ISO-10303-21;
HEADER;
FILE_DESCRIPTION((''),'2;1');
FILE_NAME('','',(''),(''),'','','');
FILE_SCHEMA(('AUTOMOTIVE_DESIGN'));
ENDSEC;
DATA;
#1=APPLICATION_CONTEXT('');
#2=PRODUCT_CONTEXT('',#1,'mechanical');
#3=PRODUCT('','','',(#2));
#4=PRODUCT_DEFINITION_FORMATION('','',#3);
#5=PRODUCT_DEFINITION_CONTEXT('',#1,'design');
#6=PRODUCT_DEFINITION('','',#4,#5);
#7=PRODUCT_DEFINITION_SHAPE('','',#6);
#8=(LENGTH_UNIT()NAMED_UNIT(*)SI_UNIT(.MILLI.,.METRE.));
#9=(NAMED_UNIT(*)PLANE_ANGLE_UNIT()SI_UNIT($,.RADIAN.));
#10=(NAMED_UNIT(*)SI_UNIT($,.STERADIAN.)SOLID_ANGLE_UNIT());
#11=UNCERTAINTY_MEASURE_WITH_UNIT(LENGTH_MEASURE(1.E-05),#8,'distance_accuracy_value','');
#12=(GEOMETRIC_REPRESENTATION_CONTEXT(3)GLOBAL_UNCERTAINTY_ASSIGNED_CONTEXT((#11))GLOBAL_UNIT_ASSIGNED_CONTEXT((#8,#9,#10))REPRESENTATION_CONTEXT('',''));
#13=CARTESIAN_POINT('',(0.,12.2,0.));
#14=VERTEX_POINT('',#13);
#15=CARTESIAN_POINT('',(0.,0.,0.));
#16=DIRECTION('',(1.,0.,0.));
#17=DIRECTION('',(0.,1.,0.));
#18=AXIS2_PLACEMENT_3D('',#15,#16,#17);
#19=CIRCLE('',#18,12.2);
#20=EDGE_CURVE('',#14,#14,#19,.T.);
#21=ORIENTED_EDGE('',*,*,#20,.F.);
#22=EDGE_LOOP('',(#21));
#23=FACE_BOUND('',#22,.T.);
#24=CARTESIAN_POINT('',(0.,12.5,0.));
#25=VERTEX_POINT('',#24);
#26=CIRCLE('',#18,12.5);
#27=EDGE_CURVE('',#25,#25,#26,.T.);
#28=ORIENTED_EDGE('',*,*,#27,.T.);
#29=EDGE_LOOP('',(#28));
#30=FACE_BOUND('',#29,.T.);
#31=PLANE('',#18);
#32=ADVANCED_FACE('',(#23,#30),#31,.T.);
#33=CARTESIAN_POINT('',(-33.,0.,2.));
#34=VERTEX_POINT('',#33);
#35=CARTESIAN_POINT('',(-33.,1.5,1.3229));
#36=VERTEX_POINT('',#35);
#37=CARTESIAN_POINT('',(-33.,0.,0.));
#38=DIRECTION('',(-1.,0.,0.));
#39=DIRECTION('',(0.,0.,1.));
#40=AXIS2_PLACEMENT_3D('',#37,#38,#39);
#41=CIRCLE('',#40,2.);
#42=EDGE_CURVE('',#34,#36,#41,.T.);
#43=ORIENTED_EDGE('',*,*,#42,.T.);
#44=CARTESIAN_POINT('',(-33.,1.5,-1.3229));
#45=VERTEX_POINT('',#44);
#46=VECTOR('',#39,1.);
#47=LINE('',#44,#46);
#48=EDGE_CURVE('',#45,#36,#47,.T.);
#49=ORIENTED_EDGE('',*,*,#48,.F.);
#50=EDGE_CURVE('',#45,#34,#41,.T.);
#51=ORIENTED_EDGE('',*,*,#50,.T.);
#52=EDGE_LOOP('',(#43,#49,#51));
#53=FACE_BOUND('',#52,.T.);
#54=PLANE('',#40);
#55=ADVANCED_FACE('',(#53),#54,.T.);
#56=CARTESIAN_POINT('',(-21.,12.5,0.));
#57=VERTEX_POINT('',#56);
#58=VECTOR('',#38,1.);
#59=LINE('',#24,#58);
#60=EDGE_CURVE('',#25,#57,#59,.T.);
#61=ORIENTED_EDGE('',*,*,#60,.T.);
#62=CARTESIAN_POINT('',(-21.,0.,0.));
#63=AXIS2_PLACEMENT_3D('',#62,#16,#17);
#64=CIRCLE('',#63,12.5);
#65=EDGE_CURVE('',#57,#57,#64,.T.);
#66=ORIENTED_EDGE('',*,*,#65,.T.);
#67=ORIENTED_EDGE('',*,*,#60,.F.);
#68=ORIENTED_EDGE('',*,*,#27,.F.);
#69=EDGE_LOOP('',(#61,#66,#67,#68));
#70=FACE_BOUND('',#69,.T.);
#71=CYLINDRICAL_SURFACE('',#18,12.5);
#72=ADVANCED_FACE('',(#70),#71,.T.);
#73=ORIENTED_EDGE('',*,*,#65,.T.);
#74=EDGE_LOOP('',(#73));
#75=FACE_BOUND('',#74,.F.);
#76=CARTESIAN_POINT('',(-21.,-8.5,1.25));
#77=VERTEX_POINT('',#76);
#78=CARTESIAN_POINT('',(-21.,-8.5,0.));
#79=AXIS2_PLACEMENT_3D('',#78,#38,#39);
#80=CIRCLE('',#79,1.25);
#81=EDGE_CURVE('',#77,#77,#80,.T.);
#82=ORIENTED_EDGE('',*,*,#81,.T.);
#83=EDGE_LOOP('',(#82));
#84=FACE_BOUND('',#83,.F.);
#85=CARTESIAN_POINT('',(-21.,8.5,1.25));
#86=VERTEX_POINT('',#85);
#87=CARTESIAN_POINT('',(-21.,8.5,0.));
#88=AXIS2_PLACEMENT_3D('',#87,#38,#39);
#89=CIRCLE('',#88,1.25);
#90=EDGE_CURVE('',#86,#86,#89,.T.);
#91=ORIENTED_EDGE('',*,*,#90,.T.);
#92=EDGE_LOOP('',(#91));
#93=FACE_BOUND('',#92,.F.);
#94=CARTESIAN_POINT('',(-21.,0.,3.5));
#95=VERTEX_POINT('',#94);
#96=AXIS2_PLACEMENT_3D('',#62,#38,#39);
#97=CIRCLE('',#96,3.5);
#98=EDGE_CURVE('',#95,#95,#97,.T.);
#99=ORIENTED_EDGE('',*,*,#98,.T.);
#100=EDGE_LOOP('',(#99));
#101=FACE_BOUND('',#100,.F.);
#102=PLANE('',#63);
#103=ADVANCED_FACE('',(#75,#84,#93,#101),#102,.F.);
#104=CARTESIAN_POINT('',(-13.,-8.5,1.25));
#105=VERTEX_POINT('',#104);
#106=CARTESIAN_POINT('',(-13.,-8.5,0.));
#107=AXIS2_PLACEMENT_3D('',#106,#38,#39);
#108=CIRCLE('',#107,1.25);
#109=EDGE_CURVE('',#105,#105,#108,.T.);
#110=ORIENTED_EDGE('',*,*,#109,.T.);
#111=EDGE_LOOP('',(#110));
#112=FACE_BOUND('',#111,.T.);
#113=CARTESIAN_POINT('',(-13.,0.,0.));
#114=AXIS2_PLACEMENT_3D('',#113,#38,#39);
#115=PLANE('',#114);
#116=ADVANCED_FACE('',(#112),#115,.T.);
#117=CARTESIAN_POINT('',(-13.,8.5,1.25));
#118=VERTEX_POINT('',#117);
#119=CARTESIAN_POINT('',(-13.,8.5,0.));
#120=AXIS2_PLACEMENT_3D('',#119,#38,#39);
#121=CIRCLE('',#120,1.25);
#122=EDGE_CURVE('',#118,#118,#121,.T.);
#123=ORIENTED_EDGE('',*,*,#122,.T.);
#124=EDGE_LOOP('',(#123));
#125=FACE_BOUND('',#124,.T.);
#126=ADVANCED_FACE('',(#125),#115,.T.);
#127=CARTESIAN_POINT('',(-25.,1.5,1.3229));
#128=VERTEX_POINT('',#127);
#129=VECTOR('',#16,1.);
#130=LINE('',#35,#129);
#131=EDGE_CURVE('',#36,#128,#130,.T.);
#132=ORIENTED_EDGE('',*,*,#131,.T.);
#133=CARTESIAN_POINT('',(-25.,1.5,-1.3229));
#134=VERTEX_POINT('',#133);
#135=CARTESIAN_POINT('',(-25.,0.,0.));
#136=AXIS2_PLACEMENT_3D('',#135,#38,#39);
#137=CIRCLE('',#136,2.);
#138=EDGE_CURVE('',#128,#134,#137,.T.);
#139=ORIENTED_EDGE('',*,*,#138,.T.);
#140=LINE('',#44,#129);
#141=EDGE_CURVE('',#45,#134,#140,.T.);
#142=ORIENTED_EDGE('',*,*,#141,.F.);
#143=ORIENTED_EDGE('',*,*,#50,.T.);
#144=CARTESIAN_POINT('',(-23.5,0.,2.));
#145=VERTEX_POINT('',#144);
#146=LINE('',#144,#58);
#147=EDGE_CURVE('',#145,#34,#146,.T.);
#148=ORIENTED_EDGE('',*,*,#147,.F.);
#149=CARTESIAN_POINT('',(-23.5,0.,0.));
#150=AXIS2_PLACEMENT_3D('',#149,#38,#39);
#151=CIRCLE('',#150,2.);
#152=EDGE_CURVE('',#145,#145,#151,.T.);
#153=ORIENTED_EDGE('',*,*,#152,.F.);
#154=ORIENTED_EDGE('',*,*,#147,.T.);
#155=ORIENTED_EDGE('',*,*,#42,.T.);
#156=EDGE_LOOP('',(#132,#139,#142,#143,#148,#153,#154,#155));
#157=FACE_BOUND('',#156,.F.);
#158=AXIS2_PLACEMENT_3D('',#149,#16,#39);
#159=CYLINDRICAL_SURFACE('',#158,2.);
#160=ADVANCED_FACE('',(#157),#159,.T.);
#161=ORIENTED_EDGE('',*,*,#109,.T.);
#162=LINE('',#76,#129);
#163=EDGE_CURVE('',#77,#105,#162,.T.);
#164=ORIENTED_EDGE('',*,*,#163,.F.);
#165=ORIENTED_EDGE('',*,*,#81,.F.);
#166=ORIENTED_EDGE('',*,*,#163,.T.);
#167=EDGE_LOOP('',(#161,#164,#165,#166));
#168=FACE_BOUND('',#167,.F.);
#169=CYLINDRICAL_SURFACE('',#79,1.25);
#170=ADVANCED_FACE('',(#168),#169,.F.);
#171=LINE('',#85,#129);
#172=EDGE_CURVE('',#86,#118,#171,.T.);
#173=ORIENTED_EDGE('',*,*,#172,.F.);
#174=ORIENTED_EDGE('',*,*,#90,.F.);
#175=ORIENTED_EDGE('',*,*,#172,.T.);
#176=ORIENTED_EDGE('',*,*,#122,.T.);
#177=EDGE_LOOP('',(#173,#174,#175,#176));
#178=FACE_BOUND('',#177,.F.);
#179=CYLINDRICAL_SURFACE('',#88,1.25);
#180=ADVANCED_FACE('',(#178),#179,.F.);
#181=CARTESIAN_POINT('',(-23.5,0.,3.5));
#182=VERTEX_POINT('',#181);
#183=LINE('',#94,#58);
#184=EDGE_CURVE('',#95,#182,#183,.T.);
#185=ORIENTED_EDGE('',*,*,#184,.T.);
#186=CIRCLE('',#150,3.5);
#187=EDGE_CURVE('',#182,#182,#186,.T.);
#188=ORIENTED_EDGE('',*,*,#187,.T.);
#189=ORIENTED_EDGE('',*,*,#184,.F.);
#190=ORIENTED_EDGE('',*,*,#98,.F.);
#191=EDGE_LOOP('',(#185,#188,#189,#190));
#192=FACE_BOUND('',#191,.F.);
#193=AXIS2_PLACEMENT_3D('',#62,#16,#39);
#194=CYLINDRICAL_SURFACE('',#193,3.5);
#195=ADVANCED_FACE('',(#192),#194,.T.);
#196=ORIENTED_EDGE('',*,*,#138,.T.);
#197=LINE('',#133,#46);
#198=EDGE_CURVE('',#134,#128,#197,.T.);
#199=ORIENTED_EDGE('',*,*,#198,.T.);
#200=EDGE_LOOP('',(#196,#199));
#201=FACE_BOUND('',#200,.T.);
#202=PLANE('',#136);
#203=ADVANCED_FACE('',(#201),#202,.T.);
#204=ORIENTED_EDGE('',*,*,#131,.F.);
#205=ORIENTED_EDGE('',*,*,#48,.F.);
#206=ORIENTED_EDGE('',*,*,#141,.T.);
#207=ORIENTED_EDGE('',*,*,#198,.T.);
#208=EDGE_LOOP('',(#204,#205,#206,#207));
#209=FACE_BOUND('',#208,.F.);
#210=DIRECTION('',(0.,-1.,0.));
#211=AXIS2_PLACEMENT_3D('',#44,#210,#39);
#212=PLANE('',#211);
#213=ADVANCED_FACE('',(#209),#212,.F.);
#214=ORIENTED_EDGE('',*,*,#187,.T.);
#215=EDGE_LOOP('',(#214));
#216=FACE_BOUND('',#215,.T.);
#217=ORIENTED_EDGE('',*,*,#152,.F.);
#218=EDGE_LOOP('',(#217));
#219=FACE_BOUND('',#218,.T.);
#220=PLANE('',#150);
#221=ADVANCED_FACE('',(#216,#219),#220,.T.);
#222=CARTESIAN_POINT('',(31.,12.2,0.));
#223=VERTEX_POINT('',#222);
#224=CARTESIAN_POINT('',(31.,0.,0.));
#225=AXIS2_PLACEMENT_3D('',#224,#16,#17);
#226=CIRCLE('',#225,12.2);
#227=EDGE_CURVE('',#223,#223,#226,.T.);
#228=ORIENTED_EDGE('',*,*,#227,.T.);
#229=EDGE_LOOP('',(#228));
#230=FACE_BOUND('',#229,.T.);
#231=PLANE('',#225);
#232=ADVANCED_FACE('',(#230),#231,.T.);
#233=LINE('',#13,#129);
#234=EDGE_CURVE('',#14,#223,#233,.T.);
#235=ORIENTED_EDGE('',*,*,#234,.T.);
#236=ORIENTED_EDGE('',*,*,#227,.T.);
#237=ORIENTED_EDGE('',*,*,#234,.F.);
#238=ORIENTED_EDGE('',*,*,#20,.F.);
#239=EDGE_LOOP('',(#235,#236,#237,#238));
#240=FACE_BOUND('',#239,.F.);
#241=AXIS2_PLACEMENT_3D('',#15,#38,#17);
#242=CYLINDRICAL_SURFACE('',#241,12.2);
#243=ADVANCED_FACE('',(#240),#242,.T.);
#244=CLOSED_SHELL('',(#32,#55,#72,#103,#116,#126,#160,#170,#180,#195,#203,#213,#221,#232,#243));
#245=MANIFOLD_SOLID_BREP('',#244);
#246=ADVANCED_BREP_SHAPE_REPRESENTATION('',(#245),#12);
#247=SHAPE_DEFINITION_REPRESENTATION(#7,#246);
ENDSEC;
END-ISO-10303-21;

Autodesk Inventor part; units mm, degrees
ref_plane "YZ Plane" through (0, 0, 0) normal (1, 0, 0) x (0, 1, 0)
ref_plane "XZ Plane" through (0, 0, 0) normal (0, 1, 0) x (-1, 0, 0)
ref_plane "XY Plane" through (0, 0, 0) normal (0, 0, 1) x (1, 0, 0)
sketch "Sketch1" plane through (0, 0, 0) normal (1, 0, 0) x (0, 1, 0)
  circle A0 centre (0, 0) radius 12.2
  circle A1 centre (0, 0) radius 12.5
  dimension "d0" = 24.4
  dimension "d1" = 25
extrude "Extrusion1" add sketch "Sketch1" along normal blind 31 contours A0
extrude "Extrusion2" add sketch "Sketch1" against normal blind 21 contours A0 | A1
sketch "Sketch2" plane through (-21, 0, 0) normal (-1, 0, 0) x (0, 0, 1)
  circle A0 centre (0, 0) radius 3.5
  dimension "d6" = 7
extrude "Extrusion3" add sketch "Sketch2" along normal blind 2.5
sketch "Sketch3" plane through (-23.5, 0, 0) normal (-1, 0, 0) x (0, 0, 1)
  circle A0 centre (0, 0) radius 2
  dimension "d9" = 4
extrude "Extrusion4" add sketch "Sketch3" along normal blind 9.5
sketch "Sketch4" plane through (-33, 0, 0) normal (-1, 0, 0) x (0, 0, 1)
  circle A0 centre (0, 0) radius 2
  circle A1 centre (0, 0) radius 2 projected
  line L0 (-1.3229, 1.5) -> (1.3229, 1.5)
  circle A2 centre (0, 0) radius 2 projected
  dimension "d12" = 4
  dimension "d13" = 3.5
extrude "Extrusion5" cut sketch "Sketch4" against normal blind 8 contours L0 A0 picked at (-0.3089, 1.5908)
sketch "Sketch5" plane through (-21, 0, 0) normal (-1, 0, 0) x (0, 0, 1)
  arc A0 (-1.3229, 1.5) -> (1.3229, 1.5) centre (0, 0) ccw projected
  line L0 (0, 0) -> (0, 8.5) construction
  circle A1 centre (0, 8.5) radius 1.25
  line L1 (0, 0) -> (0, -8.5) construction
  circle A2 centre (0, -8.5) radius 1.25
  dimension "d16" = 8.5
  dimension "d17" = 2.5
  dimension "d18" = 8.5
  dimension "d19" = 2.5
extrude "Extrusion6" cut sketch "Sketch5" against normal blind 8
thread "Thread1" size "M3x0.5" class "6H" standard "ANSI Metric M Profile" full length
thread "Thread2" size "M3x0.5" class "6H" standard "ANSI Metric M Profile" full length
properties part number "motor6kg"
